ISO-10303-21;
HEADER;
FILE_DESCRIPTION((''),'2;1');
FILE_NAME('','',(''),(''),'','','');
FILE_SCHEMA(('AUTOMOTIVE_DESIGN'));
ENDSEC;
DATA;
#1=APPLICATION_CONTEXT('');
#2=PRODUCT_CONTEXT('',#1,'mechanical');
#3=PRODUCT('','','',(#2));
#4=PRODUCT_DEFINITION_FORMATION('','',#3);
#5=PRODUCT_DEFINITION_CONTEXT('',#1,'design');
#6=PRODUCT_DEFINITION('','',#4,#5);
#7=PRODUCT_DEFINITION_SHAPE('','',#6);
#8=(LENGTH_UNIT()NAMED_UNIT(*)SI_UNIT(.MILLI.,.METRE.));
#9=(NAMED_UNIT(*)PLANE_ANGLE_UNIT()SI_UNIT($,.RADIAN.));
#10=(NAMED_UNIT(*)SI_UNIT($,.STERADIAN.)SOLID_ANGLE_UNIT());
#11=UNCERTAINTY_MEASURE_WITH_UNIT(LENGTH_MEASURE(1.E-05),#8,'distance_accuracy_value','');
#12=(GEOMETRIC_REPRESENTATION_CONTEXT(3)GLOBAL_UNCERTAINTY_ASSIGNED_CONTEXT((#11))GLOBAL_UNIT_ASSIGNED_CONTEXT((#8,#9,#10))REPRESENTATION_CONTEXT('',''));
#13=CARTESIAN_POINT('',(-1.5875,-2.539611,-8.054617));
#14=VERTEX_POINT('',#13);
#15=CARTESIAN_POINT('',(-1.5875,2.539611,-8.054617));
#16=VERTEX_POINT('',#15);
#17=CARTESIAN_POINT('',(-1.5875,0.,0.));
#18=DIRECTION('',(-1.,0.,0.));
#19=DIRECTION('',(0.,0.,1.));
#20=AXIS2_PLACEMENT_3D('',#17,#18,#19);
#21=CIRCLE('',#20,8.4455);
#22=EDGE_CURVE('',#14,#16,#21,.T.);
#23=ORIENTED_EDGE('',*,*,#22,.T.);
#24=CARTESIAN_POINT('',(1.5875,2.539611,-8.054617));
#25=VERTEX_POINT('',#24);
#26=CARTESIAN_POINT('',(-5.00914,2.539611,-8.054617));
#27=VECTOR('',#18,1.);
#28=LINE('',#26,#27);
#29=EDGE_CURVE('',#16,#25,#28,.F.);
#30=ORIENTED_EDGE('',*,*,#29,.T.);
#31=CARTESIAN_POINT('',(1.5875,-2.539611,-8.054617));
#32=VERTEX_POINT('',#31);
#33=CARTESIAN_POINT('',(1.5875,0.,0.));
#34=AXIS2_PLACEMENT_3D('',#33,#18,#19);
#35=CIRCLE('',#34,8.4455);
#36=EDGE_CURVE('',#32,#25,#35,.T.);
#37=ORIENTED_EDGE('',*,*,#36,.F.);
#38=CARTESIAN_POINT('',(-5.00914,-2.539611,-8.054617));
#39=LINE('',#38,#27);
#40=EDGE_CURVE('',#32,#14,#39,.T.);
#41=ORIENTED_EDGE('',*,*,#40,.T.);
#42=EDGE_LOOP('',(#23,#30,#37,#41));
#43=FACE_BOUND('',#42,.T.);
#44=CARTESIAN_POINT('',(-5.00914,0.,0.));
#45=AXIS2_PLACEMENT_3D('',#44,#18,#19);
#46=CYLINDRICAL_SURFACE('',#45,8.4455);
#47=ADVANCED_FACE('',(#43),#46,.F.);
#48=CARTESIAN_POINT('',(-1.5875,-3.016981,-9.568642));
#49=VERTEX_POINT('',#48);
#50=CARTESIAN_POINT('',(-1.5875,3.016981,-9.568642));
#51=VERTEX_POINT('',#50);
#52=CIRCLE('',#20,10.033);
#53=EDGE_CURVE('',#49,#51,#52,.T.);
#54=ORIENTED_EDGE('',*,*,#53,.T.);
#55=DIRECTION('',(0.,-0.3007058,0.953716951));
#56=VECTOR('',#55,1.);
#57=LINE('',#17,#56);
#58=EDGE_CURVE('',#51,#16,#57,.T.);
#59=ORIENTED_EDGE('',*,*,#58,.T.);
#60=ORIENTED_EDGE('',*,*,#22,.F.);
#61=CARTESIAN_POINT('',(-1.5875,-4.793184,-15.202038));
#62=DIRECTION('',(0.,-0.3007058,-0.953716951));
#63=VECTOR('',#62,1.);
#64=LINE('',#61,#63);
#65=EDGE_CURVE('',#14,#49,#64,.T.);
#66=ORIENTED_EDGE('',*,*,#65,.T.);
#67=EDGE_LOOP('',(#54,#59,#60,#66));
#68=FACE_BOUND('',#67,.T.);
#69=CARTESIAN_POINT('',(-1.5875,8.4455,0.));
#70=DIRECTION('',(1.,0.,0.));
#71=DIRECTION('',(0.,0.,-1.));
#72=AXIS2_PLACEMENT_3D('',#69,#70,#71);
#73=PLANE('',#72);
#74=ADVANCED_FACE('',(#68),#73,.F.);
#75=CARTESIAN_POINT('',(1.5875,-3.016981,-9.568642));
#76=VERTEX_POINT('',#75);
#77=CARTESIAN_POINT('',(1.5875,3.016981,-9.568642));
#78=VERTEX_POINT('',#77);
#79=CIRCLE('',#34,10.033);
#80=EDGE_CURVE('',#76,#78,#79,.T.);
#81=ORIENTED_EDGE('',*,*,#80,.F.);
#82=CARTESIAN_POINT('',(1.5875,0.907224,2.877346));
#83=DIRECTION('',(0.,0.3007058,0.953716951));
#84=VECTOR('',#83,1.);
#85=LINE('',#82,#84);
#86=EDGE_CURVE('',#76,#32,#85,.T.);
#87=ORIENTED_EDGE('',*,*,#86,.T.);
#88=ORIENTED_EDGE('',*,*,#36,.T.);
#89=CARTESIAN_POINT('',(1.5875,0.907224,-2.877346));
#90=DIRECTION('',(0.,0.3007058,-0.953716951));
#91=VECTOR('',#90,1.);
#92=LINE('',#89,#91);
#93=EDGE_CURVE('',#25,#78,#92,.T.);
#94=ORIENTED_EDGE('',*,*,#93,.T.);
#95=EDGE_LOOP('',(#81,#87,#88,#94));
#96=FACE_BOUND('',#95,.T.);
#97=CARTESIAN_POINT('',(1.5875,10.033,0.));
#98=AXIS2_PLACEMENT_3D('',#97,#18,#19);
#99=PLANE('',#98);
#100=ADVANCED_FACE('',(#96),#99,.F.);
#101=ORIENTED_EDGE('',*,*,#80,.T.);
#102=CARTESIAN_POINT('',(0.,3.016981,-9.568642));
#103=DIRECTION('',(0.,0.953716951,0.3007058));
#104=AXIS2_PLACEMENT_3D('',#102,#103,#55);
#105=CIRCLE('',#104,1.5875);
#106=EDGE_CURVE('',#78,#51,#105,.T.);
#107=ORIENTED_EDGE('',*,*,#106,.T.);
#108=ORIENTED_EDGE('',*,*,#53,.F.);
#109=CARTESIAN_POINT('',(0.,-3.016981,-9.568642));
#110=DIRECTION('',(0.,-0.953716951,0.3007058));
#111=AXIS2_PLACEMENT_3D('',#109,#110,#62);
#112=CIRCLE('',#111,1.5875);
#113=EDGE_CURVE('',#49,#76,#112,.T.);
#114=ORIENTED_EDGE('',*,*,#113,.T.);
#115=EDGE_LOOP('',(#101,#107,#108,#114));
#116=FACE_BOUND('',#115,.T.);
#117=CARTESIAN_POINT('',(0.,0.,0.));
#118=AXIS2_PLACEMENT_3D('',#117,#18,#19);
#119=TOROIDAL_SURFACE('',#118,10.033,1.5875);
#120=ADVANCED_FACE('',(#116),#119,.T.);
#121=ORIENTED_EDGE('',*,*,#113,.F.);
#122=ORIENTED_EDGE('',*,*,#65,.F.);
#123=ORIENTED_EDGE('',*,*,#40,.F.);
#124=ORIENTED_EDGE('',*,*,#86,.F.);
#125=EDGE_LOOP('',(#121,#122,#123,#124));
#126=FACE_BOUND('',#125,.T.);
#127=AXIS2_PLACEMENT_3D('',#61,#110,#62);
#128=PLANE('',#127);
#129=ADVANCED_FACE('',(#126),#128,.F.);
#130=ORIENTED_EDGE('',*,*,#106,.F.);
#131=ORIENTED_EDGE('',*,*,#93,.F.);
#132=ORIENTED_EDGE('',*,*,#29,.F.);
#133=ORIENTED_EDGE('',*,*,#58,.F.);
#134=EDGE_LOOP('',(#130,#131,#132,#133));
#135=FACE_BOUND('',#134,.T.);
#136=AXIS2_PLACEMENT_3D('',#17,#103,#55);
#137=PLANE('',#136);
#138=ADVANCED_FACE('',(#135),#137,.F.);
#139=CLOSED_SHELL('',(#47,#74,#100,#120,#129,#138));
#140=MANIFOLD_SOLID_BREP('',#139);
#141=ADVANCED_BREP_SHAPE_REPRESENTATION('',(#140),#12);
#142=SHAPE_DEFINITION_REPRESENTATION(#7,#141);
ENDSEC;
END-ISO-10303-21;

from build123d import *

# Parameters (mm, degrees)
CUT_EXTRUDE1_DEPTH      = 17.510366492
CUT_EXTRUDE1_DEPTH_BACK = 17.510366492


with BuildPart() as part:
    # Sketch1 → Revolve1 (revolve)
    with BuildSketch(Plane.XY, mode=Mode.PRIVATE) as revolve1_sk:
        with BuildLine():
            Line((1.5875, 10.033), (1.5875, 8.4455))
            Line((1.5875, 8.4455), (-1.5875, 8.4455))
            Line((-1.5875, 8.4455), (-1.5875, 10.033))
            ThreePointArc((-1.5875, 10.033), (0, 11.6205), (1.5875, 10.033))
        make_face()
    revolve(revolve1_sk.sketch.rotate(Axis((-5.00914015, 0, 0), (1, 0, 0)), 90), axis=Axis((-5.00914015, 0, 0), (1, 0, 0)))

    # Sketch2 → Cut-Extrude1 (cut, two sides: drawn at the far end of the back side and taken through both)
    with BuildSketch(Plane(origin=(0, 0, 0), x_dir=(0, 0, -1), z_dir=(1, 0, 0)).offset(-CUT_EXTRUDE1_DEPTH_BACK)):
        Polygon((0, 0), (15.195310773, 4.791063083), (15.202038424, -4.793184304), align=None)
    extrude(amount=CUT_EXTRUDE1_DEPTH + CUT_EXTRUDE1_DEPTH_BACK, mode=Mode.SUBTRACT)


solid = part.part
